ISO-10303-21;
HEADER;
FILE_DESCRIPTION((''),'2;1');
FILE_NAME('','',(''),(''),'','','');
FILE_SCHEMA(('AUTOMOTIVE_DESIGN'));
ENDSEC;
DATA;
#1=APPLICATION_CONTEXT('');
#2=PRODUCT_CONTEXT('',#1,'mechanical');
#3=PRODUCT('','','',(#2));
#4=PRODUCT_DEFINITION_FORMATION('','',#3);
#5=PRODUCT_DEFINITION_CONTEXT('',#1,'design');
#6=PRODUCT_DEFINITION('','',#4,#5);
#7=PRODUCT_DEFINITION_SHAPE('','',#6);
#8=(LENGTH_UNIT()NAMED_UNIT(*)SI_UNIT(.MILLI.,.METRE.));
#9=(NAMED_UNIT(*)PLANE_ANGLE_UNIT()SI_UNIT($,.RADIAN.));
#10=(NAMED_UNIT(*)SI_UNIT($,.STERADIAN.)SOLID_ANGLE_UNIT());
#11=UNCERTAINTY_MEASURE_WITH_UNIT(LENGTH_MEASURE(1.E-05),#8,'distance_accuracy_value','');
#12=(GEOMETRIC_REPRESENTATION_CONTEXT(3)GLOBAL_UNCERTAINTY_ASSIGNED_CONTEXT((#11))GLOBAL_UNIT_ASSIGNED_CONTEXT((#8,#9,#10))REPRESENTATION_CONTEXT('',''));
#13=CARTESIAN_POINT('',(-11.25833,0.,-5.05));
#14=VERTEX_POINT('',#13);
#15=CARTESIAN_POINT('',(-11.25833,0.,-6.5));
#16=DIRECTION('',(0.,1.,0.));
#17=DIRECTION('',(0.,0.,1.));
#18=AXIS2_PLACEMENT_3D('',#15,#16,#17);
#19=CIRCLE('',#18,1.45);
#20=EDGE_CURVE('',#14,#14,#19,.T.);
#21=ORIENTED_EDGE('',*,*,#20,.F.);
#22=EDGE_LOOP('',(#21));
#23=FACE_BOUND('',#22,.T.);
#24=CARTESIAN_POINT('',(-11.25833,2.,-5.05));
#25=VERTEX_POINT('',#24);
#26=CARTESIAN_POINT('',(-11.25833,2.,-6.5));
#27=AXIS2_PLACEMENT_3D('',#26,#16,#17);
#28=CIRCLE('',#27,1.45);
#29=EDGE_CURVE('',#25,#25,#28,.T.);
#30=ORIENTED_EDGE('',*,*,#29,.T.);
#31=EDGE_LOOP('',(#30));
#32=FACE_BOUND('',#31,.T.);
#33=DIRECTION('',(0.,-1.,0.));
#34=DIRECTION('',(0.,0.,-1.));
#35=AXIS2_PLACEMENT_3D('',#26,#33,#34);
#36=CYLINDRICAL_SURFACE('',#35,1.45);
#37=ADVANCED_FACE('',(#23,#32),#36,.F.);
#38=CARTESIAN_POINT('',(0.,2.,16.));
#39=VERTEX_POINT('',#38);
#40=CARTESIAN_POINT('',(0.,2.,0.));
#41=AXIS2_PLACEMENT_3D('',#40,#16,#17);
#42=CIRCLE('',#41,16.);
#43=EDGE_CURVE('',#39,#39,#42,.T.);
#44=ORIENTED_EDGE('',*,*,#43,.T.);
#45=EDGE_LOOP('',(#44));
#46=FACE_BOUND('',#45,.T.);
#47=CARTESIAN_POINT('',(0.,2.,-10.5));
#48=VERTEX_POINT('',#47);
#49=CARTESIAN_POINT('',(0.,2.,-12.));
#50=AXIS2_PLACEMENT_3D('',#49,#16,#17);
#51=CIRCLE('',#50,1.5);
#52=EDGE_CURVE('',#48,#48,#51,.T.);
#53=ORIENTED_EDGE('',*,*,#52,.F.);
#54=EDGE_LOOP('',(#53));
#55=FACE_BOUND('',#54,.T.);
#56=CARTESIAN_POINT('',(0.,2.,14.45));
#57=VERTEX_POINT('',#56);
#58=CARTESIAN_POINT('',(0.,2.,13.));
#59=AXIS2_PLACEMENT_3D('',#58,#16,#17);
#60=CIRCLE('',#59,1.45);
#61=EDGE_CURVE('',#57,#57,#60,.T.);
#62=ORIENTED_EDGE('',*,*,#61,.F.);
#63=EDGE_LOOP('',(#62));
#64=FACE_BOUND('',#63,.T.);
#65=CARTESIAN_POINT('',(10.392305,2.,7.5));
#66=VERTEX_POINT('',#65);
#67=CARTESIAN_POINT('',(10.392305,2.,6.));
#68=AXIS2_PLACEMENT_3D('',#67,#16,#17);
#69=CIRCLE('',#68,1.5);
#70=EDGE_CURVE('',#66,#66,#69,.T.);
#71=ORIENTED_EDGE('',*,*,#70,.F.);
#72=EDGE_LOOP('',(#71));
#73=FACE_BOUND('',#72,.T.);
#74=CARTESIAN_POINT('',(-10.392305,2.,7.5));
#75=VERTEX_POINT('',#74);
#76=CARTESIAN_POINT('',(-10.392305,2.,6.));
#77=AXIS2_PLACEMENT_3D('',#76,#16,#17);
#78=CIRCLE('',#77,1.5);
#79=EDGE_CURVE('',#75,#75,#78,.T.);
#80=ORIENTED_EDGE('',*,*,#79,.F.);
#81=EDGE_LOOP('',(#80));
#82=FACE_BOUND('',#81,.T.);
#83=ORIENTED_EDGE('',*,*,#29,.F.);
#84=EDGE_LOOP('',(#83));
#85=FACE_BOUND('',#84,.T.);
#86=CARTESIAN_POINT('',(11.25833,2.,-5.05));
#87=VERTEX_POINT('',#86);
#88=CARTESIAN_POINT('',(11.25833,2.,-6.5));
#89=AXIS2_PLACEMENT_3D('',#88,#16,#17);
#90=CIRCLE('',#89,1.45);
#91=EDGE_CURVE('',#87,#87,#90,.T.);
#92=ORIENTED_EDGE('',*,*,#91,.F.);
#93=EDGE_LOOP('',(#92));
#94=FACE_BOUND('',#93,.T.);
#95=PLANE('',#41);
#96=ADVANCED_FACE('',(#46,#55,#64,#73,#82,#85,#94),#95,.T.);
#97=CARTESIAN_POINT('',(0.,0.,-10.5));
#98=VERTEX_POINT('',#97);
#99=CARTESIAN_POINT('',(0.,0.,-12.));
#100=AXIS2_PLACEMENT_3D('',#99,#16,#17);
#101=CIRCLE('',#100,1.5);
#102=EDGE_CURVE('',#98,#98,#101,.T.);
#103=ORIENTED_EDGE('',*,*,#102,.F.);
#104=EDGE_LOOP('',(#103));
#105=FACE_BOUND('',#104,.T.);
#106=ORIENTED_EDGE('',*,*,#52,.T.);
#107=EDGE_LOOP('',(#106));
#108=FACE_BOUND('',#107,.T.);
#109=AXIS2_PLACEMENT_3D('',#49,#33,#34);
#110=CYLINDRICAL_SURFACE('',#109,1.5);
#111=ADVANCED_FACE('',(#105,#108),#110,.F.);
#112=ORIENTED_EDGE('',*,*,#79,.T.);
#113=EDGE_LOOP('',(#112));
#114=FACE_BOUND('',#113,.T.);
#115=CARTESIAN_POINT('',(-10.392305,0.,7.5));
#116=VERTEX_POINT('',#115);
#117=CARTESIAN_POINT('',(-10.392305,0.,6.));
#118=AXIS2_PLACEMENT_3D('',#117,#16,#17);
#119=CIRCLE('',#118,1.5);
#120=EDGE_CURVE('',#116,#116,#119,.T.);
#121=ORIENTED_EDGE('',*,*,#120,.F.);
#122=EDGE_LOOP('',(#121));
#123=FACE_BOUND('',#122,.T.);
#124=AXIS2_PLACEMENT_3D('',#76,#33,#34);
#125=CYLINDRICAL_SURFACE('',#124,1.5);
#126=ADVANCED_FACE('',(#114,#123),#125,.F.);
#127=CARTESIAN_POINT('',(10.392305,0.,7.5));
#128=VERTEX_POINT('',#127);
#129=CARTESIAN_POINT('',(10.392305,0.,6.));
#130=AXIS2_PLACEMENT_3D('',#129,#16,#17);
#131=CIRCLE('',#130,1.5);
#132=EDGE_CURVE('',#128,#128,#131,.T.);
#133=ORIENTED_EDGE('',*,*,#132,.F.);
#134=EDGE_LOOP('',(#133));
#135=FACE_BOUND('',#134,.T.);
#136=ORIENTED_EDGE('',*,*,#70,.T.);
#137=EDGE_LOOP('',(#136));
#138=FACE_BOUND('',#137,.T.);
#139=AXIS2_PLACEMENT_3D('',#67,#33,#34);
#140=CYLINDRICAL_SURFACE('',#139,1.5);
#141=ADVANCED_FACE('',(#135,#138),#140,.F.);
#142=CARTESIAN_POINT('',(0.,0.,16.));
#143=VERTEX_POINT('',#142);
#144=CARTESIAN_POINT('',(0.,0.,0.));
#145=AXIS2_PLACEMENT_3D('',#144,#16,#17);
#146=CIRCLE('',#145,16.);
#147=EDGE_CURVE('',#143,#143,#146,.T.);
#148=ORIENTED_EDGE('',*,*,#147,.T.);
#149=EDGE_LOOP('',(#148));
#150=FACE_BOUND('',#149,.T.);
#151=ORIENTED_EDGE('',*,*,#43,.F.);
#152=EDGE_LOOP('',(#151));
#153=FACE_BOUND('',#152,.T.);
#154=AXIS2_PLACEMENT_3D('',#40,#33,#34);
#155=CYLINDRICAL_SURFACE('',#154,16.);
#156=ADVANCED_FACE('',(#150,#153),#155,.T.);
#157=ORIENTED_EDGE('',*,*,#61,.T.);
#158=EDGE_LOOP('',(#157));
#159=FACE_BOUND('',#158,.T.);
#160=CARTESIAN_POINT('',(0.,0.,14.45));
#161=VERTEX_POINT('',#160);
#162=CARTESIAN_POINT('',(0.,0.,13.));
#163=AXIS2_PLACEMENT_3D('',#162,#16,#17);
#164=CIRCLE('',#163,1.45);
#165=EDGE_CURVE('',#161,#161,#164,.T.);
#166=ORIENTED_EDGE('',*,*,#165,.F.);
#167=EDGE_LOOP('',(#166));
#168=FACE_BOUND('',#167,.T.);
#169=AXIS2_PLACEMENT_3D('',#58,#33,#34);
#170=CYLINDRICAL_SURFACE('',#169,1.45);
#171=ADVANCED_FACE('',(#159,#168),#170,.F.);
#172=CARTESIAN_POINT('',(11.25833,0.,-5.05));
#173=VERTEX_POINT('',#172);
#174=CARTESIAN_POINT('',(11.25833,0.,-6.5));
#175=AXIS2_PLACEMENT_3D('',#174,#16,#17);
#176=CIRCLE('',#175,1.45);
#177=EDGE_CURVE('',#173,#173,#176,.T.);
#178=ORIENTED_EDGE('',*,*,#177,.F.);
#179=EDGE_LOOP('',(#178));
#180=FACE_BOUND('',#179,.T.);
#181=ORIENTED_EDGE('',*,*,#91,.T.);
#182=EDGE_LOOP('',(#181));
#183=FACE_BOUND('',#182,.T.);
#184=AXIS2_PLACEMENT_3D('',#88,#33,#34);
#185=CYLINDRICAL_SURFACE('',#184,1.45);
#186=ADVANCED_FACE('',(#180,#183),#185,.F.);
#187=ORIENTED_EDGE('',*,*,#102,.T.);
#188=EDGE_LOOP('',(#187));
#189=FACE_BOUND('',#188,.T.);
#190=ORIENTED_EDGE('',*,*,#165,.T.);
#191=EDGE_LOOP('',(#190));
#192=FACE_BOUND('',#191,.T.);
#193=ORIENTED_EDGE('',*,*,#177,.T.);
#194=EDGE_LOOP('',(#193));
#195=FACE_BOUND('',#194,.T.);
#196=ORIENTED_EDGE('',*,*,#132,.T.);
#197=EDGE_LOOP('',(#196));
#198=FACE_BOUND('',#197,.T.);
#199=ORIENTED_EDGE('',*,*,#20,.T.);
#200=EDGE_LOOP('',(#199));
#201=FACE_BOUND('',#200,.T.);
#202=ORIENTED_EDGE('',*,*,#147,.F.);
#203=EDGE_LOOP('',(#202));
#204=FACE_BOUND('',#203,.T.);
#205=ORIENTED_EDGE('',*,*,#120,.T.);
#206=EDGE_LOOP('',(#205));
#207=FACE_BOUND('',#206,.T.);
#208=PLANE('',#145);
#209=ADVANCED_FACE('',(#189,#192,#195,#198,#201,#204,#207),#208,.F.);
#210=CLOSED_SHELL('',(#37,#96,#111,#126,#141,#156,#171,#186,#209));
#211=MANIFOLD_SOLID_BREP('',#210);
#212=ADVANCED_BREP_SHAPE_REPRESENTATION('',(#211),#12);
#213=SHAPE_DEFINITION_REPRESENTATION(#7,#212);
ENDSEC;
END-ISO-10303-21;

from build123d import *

# Parameters (mm, degrees)
SKETCH_1_R      = 16
SKETCH_1_R_2    = 1.5
SKETCH_1_R_3    = 1.45
EXTRUDE_1_DEPTH = 2


with BuildPart() as part:
    # 草图1 → 凸台-拉伸1 (new body)
    with BuildSketch(Plane(origin=(0, 0, 0), x_dir=(1, 0, 0), z_dir=(0, 1, 0))):
        Circle(SKETCH_1_R)
        with Locations((-10.392304845, -6)):
            Circle(SKETCH_1_R_2, mode=Mode.SUBTRACT)
        with Locations((0, 12)):
            Circle(SKETCH_1_R_2, mode=Mode.SUBTRACT)
        with Locations((10.392304845, -6)):
            Circle(SKETCH_1_R_2, mode=Mode.SUBTRACT)
        with Locations((-11.258330249, 6.5)):
            Circle(SKETCH_1_R_3, mode=Mode.SUBTRACT)
        with Locations((0, -13)):
            Circle(SKETCH_1_R_3, mode=Mode.SUBTRACT)
        with Locations((11.258330249, 6.5)):
            Circle(SKETCH_1_R_3, mode=Mode.SUBTRACT)
    extrude(amount=EXTRUDE_1_DEPTH)


solid = part.part
